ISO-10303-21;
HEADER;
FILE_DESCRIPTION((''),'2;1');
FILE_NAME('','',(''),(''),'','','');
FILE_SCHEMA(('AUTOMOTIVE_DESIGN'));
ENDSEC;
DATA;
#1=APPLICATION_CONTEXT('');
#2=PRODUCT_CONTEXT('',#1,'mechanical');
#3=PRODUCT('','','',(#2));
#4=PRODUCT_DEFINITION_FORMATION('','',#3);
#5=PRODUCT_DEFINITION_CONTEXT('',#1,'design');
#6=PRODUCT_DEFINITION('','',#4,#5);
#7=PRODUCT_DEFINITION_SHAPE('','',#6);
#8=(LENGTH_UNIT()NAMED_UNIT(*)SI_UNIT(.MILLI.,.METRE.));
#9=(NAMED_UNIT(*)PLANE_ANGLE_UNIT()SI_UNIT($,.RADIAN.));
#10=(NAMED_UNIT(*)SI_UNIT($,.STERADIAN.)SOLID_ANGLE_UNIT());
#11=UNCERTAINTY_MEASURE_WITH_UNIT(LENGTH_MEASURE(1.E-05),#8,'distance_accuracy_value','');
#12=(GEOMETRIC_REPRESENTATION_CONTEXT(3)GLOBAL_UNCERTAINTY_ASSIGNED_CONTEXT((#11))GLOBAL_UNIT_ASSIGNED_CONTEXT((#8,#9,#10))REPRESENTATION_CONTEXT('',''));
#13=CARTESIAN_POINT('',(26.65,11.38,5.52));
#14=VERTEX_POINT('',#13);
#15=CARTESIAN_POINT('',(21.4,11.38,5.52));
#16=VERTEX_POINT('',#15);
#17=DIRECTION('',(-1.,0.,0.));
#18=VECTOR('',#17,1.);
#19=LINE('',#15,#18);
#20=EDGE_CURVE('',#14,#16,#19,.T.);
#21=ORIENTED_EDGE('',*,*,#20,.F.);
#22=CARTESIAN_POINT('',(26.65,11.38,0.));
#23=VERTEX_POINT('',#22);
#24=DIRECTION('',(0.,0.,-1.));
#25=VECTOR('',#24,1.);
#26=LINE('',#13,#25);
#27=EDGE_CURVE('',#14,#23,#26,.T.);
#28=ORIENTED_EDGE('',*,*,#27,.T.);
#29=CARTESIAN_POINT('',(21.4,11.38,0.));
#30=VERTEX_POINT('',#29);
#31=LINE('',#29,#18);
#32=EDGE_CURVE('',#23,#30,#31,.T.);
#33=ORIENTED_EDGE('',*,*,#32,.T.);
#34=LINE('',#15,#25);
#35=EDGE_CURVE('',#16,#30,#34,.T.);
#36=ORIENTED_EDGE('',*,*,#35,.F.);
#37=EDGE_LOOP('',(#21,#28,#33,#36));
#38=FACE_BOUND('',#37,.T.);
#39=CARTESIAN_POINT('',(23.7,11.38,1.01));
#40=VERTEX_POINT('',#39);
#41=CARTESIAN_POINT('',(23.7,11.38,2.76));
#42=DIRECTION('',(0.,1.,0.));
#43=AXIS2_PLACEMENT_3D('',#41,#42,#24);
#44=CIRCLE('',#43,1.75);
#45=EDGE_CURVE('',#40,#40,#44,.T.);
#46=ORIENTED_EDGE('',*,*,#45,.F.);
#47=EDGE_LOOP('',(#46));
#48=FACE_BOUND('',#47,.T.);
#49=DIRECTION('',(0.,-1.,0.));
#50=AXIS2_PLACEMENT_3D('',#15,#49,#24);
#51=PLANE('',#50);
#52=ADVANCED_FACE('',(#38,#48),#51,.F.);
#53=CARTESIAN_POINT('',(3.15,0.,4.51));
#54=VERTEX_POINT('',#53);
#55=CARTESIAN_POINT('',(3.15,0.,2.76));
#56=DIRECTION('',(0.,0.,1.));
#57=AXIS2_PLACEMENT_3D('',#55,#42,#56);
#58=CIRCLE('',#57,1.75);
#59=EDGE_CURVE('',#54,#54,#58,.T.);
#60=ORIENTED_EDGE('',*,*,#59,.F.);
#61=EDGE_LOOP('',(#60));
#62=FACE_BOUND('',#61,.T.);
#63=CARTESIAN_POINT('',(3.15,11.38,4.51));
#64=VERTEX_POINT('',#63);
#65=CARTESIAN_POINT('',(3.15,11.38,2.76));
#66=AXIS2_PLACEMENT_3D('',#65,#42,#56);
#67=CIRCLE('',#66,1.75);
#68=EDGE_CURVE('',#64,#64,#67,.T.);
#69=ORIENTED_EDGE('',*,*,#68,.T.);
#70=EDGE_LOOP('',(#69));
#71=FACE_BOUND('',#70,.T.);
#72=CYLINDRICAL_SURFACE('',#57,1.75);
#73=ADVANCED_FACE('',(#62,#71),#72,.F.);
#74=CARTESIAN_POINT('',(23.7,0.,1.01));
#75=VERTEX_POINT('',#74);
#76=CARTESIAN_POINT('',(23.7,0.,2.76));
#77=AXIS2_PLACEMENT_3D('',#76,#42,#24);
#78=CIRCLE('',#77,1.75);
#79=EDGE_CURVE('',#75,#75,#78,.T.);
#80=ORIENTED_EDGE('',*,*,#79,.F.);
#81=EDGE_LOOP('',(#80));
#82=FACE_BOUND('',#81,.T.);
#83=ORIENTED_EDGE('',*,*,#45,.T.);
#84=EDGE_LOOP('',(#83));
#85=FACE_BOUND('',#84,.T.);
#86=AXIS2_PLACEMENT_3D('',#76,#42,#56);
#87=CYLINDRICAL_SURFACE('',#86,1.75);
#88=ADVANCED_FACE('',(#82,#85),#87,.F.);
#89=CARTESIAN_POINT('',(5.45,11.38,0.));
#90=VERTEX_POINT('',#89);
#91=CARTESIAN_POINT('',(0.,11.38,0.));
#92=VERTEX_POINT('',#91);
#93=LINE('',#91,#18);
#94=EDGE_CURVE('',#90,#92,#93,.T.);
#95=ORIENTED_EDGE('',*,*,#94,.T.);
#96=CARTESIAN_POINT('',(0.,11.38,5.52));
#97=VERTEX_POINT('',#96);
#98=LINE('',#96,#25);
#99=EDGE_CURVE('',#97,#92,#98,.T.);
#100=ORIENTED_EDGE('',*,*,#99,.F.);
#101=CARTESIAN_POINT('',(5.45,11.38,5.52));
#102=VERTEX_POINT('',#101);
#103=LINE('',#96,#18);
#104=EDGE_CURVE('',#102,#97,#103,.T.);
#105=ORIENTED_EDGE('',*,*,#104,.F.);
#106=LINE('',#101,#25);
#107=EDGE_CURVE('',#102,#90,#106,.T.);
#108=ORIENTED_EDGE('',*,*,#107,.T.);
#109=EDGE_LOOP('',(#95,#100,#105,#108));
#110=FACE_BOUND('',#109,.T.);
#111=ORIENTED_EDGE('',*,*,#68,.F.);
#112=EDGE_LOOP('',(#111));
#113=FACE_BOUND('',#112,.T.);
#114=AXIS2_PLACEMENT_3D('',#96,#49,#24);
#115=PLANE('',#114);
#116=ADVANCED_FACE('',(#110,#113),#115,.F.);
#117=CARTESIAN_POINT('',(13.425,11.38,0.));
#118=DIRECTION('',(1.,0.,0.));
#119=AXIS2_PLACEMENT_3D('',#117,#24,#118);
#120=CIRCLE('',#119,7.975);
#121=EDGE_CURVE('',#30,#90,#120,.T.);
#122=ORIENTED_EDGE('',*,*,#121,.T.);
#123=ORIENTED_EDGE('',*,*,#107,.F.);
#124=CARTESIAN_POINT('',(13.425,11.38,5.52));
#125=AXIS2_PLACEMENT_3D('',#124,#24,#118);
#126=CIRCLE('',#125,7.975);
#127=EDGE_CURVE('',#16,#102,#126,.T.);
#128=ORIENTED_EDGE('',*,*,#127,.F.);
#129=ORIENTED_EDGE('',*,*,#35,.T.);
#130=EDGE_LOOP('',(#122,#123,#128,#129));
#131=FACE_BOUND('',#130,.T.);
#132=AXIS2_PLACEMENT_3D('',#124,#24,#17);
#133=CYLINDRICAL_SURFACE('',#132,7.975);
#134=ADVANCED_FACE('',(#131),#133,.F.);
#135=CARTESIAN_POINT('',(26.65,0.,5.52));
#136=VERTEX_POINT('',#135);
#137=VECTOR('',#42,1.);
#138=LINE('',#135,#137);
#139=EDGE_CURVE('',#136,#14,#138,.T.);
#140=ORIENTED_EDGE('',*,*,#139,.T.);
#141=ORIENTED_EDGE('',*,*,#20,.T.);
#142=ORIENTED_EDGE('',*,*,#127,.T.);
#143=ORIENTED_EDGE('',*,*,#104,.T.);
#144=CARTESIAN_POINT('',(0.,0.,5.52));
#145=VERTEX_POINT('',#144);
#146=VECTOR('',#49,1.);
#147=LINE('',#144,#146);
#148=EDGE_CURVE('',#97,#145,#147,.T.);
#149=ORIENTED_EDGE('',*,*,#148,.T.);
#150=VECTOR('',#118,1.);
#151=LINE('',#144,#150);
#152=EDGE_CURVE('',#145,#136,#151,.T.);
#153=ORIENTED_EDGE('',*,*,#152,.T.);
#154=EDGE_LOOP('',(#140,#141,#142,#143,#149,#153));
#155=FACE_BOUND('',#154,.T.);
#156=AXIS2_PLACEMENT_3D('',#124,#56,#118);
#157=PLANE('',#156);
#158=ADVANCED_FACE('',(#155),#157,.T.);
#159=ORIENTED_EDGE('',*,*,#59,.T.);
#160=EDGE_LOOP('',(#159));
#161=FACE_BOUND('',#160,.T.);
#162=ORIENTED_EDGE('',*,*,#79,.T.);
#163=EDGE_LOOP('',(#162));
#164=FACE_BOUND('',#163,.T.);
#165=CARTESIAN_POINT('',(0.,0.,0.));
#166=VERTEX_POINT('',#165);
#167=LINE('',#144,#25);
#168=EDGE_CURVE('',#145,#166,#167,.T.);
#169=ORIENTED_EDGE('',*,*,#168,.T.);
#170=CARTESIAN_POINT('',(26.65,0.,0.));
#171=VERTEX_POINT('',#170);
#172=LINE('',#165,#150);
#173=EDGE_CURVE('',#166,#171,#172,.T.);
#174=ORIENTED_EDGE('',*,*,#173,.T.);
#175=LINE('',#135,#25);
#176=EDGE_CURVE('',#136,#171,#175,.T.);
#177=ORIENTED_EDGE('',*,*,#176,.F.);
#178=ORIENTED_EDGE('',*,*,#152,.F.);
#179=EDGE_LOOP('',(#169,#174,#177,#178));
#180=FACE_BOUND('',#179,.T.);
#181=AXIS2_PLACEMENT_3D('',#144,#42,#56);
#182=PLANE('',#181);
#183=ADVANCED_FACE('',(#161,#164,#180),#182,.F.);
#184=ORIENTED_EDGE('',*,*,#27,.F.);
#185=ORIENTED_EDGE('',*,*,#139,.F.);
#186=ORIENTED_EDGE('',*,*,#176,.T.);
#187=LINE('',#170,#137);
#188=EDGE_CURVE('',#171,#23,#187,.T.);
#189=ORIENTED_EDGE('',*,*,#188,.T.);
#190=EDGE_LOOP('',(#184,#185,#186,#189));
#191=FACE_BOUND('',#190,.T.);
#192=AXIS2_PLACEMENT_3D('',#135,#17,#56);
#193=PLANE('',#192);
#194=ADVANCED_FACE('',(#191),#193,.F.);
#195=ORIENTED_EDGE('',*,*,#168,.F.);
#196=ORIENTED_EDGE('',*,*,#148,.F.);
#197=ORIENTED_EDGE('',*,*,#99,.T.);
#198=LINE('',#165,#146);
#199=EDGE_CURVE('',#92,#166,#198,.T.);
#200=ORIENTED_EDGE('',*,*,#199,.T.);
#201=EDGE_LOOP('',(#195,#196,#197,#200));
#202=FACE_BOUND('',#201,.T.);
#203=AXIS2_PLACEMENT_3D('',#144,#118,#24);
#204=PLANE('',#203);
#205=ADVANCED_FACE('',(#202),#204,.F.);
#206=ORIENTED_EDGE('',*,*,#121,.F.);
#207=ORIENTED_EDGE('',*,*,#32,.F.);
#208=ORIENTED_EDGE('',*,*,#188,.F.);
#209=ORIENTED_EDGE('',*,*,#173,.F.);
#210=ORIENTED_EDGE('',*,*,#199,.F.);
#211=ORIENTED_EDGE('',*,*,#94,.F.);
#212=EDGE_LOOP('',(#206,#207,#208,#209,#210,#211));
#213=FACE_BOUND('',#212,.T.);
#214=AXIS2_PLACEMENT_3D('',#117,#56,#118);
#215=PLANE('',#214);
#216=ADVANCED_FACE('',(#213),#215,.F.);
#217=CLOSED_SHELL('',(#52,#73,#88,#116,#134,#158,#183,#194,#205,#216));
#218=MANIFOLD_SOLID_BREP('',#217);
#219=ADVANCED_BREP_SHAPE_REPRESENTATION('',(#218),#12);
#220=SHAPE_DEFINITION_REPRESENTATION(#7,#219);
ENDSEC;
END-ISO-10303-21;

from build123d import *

# Parameters (mm, degrees)
BOSS_EXTRUDE1_DEPTH = 5.52
SKETCH2_R           = 1.75
CUT_EXTRUDE1_DEPTH  = 30.499106766


with BuildPart() as part:
    # Sketch1 → Boss-Extrude1 (new body)
    with BuildSketch(Plane.XY):
        with BuildLine():
            Line((21.4, 11.38), (26.65, 11.38))
            Line((26.65, 11.38), (26.65, 0))
            Line((26.65, 0), (0, 0))
            Line((0, 0), (0, 11.38))
            Line((0, 11.38), (5.45, 11.38))
            ThreePointArc((5.45, 11.38), (13.425, 3.405), (21.4, 11.38))
        make_face()
    extrude(amount=BOSS_EXTRUDE1_DEPTH)

    # Sketch2 → Cut-Extrude1 (cut, through all)
    with BuildSketch(Plane(origin=(0, 11.38, 0), x_dir=(1, 0, 0), z_dir=(0, 1, 0))):
        with Locations(Location((3.15, -2.76, 0), (0, 0, 270))):
            Circle(SKETCH2_R)
        with Locations(Location((23.7, -2.76, 0), (0, 0, 90))):
            Circle(SKETCH2_R)
    extrude(amount=-CUT_EXTRUDE1_DEPTH, mode=Mode.SUBTRACT)


solid = part.part
